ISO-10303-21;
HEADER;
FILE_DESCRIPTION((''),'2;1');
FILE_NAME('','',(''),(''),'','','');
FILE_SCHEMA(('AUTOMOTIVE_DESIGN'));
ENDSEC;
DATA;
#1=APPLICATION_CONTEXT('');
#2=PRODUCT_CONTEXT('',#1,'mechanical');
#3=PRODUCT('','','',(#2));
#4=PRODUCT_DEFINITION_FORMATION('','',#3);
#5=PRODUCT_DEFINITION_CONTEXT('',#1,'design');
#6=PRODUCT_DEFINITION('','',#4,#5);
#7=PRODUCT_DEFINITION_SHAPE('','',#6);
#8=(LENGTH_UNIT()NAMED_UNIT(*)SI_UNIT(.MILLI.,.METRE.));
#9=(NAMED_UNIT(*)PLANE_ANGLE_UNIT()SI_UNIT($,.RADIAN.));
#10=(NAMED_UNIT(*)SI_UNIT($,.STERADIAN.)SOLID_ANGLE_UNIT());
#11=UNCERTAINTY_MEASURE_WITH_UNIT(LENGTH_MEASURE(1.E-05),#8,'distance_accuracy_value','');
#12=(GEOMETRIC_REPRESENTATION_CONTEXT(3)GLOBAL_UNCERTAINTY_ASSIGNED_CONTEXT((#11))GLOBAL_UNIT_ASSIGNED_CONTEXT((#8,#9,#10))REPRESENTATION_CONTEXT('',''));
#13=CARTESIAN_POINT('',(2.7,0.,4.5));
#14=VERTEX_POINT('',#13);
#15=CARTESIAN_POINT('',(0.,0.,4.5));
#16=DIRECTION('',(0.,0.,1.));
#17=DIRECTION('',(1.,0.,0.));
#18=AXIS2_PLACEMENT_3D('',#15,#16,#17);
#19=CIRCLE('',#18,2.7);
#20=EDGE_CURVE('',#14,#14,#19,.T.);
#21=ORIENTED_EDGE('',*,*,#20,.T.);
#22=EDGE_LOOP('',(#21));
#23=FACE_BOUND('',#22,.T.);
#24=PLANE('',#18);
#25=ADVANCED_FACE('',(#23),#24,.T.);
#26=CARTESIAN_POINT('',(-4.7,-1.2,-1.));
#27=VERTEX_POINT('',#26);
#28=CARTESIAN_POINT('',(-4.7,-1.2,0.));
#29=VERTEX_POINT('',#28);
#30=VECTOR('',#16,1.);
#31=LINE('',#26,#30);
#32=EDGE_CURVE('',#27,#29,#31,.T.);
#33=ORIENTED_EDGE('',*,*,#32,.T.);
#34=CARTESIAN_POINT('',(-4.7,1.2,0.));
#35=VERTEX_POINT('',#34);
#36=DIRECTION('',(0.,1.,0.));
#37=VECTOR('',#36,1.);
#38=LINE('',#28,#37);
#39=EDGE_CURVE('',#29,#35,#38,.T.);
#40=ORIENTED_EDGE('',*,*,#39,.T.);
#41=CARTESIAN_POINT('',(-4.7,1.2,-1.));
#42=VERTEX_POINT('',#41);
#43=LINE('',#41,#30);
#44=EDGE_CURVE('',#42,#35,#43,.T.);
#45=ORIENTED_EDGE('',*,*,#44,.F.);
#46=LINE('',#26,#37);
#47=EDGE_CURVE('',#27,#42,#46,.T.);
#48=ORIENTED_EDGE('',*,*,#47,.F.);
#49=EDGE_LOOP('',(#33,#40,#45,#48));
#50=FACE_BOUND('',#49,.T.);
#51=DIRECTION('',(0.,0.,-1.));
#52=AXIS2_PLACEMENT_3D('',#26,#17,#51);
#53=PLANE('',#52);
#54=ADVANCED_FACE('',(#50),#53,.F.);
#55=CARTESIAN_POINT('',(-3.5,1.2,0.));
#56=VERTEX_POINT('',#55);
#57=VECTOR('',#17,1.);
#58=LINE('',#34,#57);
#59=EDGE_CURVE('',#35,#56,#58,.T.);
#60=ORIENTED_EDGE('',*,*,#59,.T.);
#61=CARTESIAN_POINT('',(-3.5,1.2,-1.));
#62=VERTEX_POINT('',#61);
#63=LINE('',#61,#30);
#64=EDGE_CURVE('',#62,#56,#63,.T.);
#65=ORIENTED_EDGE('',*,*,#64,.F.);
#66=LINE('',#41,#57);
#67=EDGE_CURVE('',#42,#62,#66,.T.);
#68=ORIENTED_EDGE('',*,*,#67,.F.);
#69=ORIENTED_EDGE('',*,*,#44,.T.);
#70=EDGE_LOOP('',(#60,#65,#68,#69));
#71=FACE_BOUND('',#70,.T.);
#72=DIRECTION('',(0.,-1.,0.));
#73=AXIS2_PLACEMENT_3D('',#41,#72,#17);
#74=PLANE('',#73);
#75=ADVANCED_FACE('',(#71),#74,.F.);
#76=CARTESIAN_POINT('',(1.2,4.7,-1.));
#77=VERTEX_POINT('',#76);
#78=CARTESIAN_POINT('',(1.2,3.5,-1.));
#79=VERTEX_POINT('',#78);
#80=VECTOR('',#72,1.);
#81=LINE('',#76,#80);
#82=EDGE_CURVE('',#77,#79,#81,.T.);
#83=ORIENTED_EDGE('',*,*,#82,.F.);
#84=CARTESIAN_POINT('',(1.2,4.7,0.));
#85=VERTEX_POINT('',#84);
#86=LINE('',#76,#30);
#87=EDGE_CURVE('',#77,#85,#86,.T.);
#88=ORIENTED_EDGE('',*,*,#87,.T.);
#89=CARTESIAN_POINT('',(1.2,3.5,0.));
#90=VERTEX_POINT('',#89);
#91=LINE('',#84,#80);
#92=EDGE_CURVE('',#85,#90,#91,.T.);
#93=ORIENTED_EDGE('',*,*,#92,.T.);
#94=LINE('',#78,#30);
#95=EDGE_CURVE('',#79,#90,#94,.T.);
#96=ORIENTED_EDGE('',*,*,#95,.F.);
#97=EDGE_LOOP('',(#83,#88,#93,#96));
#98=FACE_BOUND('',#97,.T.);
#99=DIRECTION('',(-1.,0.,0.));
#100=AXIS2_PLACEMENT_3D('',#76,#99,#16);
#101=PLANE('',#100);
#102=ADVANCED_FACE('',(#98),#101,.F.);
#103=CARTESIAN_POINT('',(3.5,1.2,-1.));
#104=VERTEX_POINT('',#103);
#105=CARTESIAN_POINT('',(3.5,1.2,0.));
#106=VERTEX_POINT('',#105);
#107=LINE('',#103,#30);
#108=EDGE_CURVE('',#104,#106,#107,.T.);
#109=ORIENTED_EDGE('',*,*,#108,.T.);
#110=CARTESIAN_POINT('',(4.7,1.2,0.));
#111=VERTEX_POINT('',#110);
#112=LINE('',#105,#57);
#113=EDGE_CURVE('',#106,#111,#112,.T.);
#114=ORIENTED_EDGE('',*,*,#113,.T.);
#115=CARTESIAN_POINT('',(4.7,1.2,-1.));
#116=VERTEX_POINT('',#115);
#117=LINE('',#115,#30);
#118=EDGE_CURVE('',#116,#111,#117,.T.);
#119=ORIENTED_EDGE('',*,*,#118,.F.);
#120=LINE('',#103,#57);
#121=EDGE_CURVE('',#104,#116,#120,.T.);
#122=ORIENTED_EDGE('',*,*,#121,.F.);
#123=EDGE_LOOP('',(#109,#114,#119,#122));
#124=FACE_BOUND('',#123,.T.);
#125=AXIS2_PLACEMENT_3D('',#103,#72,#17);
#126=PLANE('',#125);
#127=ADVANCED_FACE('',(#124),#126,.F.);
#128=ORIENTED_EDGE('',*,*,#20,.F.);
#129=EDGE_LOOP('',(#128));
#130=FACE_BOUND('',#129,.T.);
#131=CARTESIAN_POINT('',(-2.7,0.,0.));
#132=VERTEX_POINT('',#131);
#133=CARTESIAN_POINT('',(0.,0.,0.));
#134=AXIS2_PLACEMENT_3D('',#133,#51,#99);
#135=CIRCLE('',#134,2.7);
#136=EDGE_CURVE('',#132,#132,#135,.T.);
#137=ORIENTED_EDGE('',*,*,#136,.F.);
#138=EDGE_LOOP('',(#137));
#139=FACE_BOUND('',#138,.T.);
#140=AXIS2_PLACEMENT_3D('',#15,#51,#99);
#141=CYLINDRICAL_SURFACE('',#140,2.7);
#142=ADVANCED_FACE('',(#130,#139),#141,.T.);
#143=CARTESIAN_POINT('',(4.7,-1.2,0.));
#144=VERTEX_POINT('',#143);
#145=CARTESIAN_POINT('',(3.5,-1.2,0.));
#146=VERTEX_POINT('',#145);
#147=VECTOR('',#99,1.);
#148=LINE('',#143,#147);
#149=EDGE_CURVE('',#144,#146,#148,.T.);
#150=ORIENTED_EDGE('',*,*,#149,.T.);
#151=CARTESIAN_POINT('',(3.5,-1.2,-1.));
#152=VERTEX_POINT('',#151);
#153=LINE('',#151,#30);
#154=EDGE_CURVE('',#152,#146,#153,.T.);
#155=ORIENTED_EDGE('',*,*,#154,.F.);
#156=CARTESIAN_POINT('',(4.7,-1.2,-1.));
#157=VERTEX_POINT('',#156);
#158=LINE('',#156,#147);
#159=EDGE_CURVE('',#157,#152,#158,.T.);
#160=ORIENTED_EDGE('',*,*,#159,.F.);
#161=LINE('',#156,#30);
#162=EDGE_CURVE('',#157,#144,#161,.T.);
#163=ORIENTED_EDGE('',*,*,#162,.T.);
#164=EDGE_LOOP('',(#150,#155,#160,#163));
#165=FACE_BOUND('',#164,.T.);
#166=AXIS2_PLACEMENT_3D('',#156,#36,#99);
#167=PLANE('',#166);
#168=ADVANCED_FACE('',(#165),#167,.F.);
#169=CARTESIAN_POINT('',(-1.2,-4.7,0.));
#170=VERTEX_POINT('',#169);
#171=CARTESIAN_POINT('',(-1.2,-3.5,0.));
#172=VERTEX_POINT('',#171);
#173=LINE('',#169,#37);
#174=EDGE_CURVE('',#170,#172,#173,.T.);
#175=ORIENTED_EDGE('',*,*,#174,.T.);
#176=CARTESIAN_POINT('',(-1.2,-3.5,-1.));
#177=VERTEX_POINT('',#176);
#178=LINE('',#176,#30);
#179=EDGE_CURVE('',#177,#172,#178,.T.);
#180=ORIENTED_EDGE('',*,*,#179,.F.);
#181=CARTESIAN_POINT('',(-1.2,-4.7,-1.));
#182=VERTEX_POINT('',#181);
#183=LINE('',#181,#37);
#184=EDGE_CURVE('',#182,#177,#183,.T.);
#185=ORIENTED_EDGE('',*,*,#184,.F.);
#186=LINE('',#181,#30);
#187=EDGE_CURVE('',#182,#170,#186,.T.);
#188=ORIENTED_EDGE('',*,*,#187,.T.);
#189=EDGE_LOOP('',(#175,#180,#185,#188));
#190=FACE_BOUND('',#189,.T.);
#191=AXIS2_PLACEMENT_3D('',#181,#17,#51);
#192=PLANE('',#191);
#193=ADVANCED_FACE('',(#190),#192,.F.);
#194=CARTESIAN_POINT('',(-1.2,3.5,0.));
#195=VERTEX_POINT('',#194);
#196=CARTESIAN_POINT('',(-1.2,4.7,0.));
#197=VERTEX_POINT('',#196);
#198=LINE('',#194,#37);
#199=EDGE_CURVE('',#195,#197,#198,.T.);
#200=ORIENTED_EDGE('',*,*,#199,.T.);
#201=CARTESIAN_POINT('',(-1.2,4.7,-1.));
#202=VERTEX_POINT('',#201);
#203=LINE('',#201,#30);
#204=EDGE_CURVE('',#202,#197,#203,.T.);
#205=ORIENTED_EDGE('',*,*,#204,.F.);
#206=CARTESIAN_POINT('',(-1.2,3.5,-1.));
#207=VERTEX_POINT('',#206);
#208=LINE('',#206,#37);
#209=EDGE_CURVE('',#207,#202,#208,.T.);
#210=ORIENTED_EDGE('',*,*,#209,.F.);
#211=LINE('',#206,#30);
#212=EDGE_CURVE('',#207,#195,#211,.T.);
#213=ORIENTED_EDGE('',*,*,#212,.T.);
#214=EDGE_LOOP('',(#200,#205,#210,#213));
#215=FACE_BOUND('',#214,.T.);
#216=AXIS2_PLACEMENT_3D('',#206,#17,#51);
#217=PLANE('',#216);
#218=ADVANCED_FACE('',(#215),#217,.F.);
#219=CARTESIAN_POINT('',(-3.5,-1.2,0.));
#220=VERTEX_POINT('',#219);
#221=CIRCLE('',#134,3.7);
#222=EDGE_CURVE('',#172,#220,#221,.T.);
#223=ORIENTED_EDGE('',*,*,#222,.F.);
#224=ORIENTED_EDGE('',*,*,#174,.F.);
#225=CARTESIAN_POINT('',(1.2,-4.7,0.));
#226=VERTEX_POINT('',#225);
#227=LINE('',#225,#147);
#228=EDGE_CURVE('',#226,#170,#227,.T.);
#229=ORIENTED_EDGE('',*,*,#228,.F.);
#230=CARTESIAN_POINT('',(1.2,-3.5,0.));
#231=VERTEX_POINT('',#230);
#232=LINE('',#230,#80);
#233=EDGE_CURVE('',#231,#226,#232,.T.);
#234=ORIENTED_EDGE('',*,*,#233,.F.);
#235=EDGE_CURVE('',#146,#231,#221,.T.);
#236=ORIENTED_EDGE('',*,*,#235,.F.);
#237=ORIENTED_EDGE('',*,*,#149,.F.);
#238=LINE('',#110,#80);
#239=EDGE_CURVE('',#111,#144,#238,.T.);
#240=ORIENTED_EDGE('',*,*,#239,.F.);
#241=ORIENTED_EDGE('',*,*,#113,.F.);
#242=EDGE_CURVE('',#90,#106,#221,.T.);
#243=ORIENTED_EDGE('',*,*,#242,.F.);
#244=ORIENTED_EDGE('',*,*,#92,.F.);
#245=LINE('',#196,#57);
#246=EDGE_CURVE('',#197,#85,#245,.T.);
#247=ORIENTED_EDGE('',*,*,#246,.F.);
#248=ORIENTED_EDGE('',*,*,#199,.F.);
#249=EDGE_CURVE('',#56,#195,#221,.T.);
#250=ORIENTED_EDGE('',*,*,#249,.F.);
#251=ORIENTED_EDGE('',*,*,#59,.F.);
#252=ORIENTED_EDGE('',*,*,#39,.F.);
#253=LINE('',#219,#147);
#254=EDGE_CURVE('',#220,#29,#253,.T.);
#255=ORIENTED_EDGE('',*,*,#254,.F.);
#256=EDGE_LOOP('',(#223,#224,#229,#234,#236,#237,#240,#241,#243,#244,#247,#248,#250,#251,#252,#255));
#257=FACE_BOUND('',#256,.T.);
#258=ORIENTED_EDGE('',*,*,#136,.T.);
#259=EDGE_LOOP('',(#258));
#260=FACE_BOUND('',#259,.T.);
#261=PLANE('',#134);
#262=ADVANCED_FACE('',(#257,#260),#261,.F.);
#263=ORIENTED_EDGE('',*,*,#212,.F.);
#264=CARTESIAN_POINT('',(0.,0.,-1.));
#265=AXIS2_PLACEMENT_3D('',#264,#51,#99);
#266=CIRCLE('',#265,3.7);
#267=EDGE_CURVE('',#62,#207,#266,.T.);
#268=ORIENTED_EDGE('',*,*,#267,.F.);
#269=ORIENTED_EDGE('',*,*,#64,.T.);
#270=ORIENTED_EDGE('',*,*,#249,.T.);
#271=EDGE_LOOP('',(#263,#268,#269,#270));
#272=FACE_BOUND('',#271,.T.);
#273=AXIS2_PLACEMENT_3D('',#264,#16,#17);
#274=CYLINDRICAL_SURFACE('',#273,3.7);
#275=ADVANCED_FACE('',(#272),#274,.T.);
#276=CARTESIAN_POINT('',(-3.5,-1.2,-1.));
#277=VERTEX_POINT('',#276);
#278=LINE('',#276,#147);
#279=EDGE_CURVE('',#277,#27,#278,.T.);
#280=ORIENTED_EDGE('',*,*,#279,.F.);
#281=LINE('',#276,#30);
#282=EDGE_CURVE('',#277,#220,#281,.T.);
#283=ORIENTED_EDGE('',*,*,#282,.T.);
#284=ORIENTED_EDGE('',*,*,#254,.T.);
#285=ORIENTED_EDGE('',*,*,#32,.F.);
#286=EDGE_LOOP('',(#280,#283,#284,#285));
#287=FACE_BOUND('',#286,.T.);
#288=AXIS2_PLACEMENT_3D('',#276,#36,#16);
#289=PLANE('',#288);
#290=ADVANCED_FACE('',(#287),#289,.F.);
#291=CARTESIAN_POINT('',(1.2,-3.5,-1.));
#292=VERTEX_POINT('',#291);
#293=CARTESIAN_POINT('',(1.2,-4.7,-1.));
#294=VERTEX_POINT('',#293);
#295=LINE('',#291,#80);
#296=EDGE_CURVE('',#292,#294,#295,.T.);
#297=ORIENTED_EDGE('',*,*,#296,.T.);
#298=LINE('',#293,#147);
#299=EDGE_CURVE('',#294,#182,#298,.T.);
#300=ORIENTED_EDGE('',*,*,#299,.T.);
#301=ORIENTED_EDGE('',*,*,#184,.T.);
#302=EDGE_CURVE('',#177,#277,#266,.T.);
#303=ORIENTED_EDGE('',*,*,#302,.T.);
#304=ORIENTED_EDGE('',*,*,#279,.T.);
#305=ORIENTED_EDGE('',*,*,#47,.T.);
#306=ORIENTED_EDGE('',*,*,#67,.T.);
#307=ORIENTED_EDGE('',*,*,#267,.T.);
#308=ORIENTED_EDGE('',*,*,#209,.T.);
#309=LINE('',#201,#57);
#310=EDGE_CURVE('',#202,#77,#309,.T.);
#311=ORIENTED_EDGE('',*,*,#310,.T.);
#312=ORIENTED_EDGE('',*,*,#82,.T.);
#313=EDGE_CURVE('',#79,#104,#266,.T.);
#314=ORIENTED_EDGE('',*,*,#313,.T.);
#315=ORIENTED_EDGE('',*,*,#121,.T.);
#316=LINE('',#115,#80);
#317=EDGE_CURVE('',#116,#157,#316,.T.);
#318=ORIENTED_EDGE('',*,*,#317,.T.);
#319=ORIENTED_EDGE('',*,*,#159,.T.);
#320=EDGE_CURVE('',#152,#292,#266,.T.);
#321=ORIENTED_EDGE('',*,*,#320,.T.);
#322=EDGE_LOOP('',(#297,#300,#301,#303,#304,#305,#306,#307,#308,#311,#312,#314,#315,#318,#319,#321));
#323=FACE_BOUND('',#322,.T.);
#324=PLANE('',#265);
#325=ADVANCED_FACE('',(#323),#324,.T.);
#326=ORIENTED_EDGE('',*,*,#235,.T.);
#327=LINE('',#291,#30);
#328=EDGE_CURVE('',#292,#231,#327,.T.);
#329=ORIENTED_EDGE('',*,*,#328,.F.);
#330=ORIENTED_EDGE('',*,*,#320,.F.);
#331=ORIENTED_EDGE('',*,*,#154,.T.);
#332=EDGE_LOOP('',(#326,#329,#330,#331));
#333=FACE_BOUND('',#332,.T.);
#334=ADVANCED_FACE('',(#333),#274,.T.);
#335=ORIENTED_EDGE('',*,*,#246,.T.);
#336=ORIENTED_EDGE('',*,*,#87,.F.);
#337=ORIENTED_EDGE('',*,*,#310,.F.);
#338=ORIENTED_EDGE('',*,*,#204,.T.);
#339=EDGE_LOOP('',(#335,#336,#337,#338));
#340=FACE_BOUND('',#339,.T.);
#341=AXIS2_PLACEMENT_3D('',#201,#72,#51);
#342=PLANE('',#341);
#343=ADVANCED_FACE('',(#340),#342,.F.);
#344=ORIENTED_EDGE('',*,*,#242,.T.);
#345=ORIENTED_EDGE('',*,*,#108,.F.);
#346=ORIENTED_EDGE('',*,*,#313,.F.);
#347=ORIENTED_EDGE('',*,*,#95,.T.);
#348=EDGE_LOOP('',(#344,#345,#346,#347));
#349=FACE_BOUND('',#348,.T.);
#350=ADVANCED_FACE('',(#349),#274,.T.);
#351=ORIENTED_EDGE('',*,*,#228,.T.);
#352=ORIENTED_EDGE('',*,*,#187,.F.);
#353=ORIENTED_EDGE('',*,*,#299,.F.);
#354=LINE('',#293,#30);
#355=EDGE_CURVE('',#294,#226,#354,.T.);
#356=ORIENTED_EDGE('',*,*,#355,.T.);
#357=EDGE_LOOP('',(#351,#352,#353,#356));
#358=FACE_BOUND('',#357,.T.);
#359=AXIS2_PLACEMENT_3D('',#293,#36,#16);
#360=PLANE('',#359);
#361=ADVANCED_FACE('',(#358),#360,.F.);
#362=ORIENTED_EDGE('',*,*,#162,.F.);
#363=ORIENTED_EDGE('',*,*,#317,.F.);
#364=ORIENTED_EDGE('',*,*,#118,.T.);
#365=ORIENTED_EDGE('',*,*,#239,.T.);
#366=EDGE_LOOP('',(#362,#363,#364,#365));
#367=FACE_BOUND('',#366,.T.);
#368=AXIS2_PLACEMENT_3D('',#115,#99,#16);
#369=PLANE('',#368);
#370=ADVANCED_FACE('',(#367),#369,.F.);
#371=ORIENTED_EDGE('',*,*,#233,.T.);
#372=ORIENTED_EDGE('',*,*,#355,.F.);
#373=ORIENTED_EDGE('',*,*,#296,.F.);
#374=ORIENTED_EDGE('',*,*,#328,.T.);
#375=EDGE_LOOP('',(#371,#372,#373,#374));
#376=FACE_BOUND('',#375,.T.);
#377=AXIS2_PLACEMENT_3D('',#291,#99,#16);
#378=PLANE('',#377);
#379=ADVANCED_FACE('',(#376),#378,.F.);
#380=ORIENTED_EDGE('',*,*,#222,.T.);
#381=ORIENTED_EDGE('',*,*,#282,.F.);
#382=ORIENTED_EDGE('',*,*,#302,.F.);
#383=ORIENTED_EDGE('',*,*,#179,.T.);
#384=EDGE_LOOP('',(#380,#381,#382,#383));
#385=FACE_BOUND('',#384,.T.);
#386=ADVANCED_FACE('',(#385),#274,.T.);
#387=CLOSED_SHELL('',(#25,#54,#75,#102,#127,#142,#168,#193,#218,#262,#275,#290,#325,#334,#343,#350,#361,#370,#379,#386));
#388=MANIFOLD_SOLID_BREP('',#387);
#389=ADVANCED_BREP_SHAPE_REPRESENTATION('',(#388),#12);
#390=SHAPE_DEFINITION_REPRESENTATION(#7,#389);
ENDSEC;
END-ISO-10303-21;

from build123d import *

# Parameters (mm, degrees)
SKETCH1_R           = 2.7
BOSS_EXTRUDE1_DEPTH = 4.5
BOSS_EXTRUDE2_DEPTH = 1


with BuildPart() as part:
    # Sketch1 → Boss-Extrude1 (new body)
    with BuildSketch(Plane.XY):
        Circle(SKETCH1_R)
    extrude(amount=BOSS_EXTRUDE1_DEPTH)

    # Sketch2 → Boss-Extrude2 (add)
    with BuildSketch(Plane(origin=(0, 0, 0), x_dir=(-1, 0, 0), z_dir=(0, 0, -1))):
        with BuildLine():
            Line((-3.5, 1.2), (-4.7, 1.2))
            Line((-4.7, 1.2), (-4.7, -1.2))
            Line((-4.7, -1.2), (-3.5, -1.2))
            ThreePointArc((-3.5, -1.2), (-2.61629509, -2.61629509), (-1.2, -3.5))
            Line((-1.2, -3.5), (-1.2, -4.7))
            Line((-1.2, -4.7), (1.2, -4.7))
            Line((1.2, -4.7), (1.2, -3.5))
            ThreePointArc((1.2, -3.5), (2.61629509, -2.61629509), (3.5, -1.2))
            Line((3.5, -1.2), (4.7, -1.2))
            Line((4.7, -1.2), (4.7, 1.2))
            Line((4.7, 1.2), (3.5, 1.2))
            ThreePointArc((3.5, 1.2), (2.61629509, 2.61629509), (1.2, 3.5))
            Line((1.2, 3.5), (1.2, 4.7))
            Line((1.2, 4.7), (-1.2, 4.7))
            Line((-1.2, 4.7), (-1.2, 3.5))
            ThreePointArc((-1.2, 3.5), (-2.61629509, 2.61629509), (-3.5, 1.2))
        make_face()
    extrude(amount=BOSS_EXTRUDE2_DEPTH)


solid = part.part
